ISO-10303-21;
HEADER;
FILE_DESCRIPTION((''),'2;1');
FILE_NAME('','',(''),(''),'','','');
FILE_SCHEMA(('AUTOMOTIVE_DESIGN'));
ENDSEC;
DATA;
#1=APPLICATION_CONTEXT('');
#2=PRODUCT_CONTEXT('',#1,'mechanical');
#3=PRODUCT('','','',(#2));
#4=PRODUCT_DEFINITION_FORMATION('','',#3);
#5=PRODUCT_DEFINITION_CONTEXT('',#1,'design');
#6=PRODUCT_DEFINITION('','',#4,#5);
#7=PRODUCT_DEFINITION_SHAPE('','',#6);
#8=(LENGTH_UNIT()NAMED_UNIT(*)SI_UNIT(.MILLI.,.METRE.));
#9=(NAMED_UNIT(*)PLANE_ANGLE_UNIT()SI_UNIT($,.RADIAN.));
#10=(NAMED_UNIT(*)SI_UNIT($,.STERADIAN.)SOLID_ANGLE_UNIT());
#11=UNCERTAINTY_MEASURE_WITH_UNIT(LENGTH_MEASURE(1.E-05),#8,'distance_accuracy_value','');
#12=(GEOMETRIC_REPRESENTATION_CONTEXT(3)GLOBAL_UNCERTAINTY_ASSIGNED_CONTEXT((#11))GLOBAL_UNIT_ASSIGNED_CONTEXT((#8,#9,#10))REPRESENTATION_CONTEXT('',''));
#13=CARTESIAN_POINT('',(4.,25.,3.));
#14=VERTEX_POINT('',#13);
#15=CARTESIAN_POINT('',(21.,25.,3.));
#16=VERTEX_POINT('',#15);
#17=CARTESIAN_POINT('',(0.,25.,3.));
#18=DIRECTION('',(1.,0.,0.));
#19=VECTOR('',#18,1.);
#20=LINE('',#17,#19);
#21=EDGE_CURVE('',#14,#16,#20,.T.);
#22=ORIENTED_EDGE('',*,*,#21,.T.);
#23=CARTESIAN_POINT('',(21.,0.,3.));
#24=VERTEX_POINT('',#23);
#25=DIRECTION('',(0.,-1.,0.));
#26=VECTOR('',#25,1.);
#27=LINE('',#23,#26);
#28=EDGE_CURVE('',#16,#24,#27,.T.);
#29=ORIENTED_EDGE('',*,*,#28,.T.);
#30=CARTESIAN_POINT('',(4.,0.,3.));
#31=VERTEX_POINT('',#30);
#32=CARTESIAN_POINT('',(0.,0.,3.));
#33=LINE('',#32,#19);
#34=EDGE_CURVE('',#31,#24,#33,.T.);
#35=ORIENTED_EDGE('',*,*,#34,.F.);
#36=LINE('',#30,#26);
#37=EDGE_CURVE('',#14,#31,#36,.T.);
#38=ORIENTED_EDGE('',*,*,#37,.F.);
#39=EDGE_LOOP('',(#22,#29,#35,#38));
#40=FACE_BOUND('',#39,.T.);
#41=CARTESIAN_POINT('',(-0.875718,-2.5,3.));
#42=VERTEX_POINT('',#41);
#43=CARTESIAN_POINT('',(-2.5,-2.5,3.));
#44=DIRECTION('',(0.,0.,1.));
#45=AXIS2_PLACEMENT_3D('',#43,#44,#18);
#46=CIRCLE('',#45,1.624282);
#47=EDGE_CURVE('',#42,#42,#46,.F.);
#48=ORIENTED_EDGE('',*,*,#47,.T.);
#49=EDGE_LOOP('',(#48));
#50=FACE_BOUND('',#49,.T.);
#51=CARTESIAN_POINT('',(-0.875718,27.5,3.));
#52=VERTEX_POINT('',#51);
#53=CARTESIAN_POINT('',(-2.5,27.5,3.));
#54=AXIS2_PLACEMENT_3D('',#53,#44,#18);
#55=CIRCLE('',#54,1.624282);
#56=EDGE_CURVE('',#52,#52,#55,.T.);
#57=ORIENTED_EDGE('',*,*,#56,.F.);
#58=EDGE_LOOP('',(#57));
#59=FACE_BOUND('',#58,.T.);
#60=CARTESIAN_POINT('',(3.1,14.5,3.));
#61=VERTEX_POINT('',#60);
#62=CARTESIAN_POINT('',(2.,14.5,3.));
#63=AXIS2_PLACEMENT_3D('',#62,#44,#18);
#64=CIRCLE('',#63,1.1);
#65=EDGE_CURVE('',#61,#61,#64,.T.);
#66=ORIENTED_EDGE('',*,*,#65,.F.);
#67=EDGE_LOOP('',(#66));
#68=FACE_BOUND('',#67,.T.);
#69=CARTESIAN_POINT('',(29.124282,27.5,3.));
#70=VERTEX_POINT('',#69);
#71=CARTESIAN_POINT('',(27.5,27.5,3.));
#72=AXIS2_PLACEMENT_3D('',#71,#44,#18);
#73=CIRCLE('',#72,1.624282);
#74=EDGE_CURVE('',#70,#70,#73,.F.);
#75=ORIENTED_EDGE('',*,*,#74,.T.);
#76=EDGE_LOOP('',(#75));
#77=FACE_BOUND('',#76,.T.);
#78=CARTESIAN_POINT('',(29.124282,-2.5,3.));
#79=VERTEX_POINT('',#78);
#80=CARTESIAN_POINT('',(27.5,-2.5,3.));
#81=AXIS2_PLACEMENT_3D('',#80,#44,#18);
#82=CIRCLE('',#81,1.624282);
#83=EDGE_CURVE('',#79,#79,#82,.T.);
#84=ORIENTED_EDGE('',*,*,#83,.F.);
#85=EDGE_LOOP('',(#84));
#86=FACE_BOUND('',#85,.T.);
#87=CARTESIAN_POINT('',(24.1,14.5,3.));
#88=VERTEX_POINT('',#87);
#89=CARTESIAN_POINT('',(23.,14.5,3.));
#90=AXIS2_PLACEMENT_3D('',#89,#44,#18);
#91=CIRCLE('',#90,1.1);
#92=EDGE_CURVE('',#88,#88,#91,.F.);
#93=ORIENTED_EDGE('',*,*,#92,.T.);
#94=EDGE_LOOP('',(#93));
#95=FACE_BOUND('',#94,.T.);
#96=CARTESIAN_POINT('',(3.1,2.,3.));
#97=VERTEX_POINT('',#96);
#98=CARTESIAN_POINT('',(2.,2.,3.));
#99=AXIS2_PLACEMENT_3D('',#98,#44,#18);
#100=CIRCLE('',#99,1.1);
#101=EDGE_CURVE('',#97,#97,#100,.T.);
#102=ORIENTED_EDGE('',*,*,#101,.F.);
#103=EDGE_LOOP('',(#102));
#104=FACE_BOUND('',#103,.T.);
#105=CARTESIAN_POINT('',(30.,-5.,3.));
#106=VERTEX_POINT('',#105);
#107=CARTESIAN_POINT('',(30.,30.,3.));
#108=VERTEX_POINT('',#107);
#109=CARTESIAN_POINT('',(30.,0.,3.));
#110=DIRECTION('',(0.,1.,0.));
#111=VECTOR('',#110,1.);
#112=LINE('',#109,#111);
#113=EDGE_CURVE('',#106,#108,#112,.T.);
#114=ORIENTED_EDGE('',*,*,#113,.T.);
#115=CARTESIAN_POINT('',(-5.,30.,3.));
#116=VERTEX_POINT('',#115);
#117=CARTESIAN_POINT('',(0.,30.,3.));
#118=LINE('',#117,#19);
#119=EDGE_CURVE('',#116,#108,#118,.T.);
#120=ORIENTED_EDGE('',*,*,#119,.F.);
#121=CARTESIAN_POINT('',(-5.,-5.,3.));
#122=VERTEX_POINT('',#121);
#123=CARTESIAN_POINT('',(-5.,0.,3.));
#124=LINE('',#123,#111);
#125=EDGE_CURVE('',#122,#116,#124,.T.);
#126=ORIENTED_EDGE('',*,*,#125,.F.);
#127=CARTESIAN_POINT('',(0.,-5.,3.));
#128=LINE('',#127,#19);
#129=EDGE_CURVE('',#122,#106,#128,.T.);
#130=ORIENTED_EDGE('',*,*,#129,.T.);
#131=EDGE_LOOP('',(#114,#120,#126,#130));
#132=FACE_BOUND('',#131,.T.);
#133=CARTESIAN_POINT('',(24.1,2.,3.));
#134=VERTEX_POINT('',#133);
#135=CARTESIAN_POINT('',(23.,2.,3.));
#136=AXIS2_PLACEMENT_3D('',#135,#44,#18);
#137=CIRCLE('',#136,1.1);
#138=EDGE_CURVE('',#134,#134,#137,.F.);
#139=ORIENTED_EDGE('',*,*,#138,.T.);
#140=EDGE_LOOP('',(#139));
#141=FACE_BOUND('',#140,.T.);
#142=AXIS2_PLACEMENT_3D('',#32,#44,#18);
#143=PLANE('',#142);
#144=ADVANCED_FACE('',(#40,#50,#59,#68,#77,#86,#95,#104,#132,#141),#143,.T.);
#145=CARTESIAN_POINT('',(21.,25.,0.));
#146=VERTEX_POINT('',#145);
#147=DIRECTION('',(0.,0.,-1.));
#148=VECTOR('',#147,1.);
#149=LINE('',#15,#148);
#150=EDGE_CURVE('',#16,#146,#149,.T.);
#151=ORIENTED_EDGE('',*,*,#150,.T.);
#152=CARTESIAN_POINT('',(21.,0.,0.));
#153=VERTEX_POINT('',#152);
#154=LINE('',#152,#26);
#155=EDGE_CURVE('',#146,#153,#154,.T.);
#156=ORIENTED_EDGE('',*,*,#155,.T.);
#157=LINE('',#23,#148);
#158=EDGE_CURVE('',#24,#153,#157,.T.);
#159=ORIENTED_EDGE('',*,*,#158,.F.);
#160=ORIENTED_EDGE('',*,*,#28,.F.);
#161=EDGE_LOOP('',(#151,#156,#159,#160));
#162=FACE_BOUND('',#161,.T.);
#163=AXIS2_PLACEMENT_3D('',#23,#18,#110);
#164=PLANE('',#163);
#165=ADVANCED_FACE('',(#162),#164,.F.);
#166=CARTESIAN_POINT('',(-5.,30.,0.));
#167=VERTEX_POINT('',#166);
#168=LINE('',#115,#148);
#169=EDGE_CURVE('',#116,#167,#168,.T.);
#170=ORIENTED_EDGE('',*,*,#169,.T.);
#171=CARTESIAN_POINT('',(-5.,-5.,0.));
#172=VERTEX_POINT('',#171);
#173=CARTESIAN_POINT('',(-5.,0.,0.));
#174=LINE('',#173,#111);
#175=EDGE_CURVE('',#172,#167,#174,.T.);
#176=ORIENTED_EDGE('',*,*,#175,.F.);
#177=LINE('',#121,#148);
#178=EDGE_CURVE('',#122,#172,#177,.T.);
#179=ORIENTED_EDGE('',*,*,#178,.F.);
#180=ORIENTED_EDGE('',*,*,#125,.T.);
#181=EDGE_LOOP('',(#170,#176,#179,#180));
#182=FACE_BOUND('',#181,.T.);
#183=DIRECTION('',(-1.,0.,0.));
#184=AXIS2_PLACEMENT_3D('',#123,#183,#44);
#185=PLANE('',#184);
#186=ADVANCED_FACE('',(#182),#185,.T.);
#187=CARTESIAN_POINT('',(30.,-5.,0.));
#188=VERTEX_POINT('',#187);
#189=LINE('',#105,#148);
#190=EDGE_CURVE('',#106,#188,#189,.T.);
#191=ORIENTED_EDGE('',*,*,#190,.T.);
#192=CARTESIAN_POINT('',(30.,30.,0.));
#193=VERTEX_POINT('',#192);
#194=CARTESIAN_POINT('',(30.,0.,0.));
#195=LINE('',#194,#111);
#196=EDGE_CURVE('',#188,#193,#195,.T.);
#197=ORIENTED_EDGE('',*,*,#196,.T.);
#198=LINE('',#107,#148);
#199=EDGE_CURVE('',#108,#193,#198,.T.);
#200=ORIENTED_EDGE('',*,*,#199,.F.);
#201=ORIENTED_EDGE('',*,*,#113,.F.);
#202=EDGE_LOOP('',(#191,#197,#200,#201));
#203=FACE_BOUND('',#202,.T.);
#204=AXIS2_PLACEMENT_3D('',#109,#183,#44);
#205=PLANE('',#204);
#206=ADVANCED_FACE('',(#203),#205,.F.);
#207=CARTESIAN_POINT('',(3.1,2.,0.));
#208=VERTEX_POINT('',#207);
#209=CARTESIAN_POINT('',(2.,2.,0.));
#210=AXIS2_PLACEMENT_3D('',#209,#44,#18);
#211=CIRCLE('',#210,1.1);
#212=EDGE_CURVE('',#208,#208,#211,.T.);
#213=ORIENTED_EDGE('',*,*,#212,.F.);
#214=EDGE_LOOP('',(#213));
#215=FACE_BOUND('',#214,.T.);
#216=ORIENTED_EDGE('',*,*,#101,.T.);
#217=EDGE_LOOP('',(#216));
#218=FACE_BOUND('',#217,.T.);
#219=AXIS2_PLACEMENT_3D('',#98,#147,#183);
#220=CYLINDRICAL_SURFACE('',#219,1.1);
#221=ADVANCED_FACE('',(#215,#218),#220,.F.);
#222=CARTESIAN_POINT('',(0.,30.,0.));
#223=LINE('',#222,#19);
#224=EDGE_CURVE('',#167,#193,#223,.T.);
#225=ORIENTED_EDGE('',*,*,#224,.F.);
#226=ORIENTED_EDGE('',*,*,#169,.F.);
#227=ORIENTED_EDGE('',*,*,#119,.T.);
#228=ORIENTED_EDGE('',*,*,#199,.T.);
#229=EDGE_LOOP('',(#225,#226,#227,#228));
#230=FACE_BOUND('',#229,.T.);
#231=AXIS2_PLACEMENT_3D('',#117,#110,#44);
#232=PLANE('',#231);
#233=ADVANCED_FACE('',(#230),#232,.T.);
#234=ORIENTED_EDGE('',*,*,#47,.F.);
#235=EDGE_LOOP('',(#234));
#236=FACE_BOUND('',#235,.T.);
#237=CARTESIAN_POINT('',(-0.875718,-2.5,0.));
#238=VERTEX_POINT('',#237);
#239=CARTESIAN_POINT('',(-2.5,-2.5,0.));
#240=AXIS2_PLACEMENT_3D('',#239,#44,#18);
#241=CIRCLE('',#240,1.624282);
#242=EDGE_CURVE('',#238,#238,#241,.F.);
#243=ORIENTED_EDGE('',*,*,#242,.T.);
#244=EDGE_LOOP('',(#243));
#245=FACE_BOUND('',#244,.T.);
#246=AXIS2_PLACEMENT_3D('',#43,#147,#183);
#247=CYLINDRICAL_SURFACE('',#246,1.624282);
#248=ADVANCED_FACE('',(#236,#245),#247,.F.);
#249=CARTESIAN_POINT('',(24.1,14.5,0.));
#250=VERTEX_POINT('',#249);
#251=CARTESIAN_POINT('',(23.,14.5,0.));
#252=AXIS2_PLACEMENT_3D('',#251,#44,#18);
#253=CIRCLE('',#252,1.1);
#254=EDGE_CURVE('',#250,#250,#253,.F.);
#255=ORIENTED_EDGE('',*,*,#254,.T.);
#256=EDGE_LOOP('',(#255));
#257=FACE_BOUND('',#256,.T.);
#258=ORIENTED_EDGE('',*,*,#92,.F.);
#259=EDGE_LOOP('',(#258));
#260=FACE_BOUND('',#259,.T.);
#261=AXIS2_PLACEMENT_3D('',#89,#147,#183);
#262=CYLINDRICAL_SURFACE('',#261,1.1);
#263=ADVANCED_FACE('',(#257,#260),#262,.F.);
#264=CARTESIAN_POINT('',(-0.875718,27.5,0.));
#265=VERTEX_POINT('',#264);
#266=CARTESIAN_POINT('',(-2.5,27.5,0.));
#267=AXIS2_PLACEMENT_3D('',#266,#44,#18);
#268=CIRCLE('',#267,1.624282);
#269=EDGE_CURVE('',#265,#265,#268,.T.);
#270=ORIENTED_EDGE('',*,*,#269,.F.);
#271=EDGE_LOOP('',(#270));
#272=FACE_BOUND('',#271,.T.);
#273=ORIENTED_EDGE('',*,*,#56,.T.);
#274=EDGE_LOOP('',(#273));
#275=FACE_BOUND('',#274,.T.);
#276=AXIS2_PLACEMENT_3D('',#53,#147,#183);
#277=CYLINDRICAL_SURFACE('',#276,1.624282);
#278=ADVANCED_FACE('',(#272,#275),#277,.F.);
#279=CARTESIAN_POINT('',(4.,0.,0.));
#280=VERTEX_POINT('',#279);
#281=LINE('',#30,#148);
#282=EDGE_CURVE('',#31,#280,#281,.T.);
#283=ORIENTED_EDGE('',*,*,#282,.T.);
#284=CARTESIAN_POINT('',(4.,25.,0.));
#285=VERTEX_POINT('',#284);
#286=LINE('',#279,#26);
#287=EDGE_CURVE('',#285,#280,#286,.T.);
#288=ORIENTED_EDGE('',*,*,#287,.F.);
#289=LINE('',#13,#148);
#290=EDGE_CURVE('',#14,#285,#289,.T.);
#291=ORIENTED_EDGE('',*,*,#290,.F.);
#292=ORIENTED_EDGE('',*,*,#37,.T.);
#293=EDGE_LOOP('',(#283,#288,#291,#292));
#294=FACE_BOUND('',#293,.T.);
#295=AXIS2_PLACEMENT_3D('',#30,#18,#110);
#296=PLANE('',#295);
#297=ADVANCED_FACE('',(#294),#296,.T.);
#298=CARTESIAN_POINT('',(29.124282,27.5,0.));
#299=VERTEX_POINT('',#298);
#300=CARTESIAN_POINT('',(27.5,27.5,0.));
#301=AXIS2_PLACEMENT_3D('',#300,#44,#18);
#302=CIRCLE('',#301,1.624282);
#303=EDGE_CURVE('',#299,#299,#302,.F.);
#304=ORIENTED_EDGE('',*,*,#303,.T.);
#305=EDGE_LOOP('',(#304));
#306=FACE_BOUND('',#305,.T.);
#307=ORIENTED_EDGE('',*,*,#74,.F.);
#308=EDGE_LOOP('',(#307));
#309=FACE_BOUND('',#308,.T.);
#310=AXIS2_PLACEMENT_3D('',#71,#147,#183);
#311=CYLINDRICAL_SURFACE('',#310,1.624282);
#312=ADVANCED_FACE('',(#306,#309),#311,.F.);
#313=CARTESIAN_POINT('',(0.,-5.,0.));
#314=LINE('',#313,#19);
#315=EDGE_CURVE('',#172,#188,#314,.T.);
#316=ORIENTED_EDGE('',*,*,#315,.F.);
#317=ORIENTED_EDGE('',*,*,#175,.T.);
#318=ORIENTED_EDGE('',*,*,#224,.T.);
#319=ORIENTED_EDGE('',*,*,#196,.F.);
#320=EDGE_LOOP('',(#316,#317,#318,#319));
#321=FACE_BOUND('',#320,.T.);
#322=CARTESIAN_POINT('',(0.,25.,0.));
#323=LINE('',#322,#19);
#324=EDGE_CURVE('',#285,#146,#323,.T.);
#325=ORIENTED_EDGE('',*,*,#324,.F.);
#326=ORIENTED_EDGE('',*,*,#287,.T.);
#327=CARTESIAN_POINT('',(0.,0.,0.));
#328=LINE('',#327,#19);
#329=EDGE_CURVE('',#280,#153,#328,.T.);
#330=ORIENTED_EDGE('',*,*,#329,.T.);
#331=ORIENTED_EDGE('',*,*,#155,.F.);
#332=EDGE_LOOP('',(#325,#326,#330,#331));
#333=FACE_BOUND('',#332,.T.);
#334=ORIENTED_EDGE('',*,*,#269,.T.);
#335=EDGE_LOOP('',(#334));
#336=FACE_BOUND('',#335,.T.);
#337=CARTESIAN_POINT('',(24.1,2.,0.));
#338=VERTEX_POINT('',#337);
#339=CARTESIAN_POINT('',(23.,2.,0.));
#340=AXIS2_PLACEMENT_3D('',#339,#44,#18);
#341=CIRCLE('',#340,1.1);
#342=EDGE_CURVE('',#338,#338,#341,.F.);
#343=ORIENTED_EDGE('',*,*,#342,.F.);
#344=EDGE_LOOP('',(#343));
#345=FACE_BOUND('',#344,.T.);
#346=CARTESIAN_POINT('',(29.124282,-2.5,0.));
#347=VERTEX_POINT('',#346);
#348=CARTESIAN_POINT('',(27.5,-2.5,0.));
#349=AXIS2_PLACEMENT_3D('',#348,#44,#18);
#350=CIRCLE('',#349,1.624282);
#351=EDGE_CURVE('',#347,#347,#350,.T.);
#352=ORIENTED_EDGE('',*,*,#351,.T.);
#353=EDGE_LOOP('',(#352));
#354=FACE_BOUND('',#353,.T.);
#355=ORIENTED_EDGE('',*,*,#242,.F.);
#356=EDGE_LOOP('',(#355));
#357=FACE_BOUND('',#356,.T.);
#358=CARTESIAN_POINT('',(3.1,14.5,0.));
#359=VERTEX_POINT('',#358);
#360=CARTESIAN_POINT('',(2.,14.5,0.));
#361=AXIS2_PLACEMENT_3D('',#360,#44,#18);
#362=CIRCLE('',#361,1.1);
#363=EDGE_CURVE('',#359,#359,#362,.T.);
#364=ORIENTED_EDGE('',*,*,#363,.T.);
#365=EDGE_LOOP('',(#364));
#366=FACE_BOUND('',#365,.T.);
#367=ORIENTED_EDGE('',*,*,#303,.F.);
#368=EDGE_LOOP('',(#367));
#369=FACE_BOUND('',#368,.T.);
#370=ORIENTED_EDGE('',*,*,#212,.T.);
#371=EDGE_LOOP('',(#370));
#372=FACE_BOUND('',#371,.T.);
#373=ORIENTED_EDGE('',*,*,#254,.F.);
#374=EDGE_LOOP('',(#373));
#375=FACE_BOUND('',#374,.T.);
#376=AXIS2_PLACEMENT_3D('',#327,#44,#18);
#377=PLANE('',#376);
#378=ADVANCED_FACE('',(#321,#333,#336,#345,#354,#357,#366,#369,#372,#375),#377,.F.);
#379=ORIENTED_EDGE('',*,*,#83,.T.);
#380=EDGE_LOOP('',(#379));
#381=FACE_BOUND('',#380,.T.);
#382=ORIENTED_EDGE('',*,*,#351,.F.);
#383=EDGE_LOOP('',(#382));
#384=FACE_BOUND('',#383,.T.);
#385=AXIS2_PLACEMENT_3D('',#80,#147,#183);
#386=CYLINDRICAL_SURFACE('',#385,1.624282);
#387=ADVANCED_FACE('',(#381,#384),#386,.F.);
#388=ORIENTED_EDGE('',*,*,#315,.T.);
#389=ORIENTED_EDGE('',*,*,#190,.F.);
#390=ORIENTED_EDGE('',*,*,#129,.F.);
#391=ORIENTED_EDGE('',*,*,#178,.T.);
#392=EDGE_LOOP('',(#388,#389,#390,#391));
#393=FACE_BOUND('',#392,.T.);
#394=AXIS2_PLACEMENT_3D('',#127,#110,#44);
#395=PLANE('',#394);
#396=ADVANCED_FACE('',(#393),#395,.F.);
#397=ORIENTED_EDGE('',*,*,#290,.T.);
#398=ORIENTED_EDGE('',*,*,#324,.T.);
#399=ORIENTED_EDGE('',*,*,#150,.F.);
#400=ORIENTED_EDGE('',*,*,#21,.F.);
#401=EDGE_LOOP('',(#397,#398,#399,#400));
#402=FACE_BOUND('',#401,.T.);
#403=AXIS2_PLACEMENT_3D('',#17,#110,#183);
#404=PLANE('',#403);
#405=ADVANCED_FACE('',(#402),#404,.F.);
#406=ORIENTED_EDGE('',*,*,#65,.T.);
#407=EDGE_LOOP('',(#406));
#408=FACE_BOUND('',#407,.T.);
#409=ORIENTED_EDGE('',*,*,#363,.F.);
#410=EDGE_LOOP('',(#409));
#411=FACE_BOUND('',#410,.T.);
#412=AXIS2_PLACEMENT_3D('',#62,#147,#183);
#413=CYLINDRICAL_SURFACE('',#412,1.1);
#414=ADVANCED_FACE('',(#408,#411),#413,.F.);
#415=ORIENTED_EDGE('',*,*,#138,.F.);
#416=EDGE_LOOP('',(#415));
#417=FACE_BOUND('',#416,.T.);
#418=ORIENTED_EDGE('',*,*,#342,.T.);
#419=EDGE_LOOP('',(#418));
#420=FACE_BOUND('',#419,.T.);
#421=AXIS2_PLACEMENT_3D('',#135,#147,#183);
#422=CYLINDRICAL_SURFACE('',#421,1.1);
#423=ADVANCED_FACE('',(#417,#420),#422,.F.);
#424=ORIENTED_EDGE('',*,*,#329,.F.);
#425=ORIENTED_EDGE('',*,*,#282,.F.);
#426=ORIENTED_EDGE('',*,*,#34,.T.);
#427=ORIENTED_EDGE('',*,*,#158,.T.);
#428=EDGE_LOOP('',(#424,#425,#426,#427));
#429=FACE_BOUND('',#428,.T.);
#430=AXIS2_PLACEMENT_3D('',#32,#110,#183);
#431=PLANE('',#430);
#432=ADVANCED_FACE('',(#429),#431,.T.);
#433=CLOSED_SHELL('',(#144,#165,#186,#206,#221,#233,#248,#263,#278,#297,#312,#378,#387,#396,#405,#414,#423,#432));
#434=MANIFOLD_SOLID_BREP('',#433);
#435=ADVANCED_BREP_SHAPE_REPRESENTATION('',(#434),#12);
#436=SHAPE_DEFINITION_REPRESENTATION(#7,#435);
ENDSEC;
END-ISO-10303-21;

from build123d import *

# Parameters (mm, degrees)
SKETCH1_W           = 35
SKETCH1_H           = 35
SKETCH1_W_2         = 17
SKETCH1_H_2         = 25
SKETCH1_R           = 1.1
SKETCH1_R_2         = 1.624281561
BOSS_EXTRUDE1_DEPTH = 3


with BuildPart() as part:
    # Sketch1 → Boss-Extrude1 (new body)
    with BuildSketch(Plane.XY):
        with Locations((12.5, 12.5)):
            Rectangle(SKETCH1_W, SKETCH1_H)
        with Locations((12.5, 12.5)):
            Rectangle(SKETCH1_W_2, SKETCH1_H_2, mode=Mode.SUBTRACT)
        with Locations((2, 2)):
            Circle(SKETCH1_R, mode=Mode.SUBTRACT)
        with Locations((2, 14.5)):
            Circle(SKETCH1_R, mode=Mode.SUBTRACT)
        with Locations((-2.5, -2.5)):
            Circle(SKETCH1_R_2, mode=Mode.SUBTRACT)
        with Locations((27.5, -2.5)):
            Circle(SKETCH1_R_2, mode=Mode.SUBTRACT)
        with Locations((-2.5, 27.5)):
            Circle(SKETCH1_R_2, mode=Mode.SUBTRACT)
        with Locations((27.5, 27.5)):
            Circle(SKETCH1_R_2, mode=Mode.SUBTRACT)
        with Locations((23, 14.5)):
            Circle(SKETCH1_R, mode=Mode.SUBTRACT)
        with Locations((23, 2)):
            Circle(SKETCH1_R, mode=Mode.SUBTRACT)
    extrude(amount=BOSS_EXTRUDE1_DEPTH)


solid = part.part
